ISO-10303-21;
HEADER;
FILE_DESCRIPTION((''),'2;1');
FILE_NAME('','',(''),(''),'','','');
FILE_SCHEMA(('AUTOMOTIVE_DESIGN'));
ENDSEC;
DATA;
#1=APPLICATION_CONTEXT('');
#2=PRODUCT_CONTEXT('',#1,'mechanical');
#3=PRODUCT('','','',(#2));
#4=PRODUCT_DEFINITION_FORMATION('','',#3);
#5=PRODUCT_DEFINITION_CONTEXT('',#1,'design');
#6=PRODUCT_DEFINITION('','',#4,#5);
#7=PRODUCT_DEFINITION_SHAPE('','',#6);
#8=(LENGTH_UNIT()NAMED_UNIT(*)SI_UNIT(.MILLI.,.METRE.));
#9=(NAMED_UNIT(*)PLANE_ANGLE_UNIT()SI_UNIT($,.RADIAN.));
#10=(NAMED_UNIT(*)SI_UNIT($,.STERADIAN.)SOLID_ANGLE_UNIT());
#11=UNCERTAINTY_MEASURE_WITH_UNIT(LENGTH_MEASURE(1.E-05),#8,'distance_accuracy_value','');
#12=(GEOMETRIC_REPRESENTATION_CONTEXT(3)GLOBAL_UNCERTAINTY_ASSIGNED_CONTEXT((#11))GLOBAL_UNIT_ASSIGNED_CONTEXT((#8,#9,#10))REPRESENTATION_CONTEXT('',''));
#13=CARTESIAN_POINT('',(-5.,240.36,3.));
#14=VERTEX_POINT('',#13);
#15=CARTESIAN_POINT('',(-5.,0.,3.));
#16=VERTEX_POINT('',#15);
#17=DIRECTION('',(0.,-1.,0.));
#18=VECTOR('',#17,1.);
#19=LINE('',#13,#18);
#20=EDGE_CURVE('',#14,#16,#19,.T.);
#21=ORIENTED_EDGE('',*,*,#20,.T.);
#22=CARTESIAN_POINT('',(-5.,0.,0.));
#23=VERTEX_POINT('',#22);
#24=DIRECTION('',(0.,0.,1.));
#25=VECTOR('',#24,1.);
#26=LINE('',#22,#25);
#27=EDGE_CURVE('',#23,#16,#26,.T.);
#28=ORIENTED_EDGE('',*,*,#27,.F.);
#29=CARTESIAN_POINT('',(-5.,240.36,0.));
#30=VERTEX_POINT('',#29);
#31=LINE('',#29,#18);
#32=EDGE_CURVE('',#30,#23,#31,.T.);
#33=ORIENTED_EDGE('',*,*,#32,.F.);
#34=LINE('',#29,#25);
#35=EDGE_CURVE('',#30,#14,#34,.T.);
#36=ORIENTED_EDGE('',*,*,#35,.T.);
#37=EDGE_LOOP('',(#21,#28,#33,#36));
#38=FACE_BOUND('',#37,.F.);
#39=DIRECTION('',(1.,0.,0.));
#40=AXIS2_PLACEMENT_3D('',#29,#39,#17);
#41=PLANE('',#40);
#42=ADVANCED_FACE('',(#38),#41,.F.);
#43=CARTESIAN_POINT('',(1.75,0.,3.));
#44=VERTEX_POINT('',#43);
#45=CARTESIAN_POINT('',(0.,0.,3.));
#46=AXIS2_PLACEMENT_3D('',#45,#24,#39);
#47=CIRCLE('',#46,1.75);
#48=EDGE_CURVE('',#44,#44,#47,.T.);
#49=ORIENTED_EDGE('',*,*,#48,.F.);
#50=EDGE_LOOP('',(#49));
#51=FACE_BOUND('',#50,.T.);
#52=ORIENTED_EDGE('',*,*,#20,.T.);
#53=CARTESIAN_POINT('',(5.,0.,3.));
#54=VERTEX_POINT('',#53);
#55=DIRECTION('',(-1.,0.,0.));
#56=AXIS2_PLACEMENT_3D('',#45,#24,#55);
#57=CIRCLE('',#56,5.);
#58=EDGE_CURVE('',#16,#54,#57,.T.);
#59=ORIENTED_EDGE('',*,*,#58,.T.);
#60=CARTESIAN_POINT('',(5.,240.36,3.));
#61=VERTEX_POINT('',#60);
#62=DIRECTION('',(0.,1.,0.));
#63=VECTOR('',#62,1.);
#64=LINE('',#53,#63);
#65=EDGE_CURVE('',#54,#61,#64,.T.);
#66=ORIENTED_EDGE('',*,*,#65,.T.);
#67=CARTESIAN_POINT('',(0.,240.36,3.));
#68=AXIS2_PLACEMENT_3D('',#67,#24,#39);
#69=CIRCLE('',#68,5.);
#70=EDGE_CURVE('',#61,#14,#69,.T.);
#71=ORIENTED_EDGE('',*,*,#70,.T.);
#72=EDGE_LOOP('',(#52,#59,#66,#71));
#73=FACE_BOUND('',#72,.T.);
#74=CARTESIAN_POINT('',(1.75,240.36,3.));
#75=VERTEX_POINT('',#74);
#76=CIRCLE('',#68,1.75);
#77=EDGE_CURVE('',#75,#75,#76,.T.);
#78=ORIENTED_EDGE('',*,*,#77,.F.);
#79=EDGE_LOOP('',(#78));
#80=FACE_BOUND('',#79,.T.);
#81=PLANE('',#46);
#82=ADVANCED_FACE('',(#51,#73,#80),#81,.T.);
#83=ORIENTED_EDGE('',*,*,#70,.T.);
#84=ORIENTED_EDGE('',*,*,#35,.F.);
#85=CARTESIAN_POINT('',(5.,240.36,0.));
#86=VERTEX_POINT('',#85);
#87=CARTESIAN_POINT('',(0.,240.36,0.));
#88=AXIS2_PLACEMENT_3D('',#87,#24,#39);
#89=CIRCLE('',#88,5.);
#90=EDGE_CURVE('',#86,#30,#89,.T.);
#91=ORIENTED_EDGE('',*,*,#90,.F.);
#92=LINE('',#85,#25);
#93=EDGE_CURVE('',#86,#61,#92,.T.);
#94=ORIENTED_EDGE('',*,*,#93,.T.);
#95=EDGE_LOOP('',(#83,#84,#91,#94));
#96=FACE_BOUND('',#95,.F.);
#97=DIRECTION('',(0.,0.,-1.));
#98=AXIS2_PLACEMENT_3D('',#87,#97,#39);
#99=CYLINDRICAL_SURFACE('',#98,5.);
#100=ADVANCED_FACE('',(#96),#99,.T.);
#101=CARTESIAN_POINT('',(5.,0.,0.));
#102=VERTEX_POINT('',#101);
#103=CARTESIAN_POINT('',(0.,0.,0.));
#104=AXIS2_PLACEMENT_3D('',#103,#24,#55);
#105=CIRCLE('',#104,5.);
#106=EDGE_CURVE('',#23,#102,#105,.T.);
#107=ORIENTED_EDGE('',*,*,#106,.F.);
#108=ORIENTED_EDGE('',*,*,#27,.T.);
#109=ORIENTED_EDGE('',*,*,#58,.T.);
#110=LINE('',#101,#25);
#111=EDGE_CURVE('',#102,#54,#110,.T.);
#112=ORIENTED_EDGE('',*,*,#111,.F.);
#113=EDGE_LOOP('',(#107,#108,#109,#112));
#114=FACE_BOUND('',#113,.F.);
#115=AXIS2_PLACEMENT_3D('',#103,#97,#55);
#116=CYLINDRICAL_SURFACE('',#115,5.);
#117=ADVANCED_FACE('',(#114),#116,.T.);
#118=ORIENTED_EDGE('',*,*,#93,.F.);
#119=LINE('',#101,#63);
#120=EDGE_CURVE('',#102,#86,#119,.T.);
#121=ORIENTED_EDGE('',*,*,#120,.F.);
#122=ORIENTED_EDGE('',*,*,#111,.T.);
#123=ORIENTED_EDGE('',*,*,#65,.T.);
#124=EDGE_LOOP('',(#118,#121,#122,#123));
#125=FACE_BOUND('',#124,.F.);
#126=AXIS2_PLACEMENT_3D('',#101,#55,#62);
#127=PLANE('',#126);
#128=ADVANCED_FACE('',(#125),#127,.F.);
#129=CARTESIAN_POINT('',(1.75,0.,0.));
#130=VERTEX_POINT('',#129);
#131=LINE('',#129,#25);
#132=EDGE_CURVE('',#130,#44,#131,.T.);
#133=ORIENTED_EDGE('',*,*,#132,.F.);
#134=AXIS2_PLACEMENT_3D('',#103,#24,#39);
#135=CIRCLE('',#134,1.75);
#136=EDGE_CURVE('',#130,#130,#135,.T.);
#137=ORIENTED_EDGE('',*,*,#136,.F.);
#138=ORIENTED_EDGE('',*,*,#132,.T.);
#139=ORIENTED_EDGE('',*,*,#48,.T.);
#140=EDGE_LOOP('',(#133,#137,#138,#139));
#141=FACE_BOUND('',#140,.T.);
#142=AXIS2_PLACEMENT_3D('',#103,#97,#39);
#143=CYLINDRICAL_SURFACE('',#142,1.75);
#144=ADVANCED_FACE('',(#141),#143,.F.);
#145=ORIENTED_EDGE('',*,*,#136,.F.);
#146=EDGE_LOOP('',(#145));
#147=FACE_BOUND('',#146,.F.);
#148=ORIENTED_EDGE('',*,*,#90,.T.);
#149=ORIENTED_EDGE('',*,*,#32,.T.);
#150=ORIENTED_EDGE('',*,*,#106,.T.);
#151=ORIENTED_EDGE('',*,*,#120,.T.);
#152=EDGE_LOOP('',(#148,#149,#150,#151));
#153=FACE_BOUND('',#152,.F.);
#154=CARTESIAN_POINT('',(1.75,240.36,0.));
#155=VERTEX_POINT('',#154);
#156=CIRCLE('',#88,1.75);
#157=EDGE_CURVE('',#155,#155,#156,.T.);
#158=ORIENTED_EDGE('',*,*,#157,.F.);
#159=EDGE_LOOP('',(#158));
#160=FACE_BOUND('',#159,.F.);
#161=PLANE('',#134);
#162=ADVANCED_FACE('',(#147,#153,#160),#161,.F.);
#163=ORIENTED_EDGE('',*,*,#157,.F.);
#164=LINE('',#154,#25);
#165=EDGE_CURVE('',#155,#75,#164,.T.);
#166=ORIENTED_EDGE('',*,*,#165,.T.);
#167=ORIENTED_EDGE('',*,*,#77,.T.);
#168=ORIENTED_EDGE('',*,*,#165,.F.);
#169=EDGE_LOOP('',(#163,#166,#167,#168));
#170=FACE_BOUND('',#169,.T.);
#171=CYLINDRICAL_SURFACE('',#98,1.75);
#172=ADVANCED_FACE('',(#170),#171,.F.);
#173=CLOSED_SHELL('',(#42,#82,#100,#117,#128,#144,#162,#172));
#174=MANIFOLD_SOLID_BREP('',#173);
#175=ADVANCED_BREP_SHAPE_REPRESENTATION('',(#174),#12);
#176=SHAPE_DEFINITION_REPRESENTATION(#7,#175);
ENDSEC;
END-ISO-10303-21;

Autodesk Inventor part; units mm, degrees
ref_plane "YZ Plane" through (0, 0, 0) normal (1, 0, 0) x (0, 1, 0)
ref_plane "XZ Plane" through (0, 0, 0) normal (0, 1, 0) x (-1, 0, 0)
ref_plane "XY Plane" through (0, 0, 0) normal (0, 0, 1) x (1, 0, 0)
sketch "Sketch1" plane through (0, 0, 0) normal (0, 0, 1) x (1, 0, 0)
  line L0 (0, 0) -> (0, 240.36) construction
  line L1 (0, 0) -> (240.36, 0) construction
  circle A0 centre (0, 0) radius 1.75
  circle A1 centre (0, 240.36) radius 1.75
  line L2 (0, 240.36) -> (0, 0) construction
  line L3 (-5, 240.36) -> (-5, 0)
  line L4 (5, 0) -> (5, 240.36)
  arc A2 (5, 240.36) -> (-5, 240.36) centre (0, 240.36) ccw
  arc A3 (-5, 0) -> (5, 0) centre (0, 0) ccw
  point P0 (0, 120.18)
  point P1 (0, 120.18)
  dimension "d0" = 240.36
  dimension "d1" = 90
  dimension "d3" = 3.5
  dimension "d4" = 3.5
  dimension "d7" = 10
extrude "Extrusion2" add sketch "Sketch1" along normal blind 3
properties part number "RedKangoroo_003_bar3ipt"
